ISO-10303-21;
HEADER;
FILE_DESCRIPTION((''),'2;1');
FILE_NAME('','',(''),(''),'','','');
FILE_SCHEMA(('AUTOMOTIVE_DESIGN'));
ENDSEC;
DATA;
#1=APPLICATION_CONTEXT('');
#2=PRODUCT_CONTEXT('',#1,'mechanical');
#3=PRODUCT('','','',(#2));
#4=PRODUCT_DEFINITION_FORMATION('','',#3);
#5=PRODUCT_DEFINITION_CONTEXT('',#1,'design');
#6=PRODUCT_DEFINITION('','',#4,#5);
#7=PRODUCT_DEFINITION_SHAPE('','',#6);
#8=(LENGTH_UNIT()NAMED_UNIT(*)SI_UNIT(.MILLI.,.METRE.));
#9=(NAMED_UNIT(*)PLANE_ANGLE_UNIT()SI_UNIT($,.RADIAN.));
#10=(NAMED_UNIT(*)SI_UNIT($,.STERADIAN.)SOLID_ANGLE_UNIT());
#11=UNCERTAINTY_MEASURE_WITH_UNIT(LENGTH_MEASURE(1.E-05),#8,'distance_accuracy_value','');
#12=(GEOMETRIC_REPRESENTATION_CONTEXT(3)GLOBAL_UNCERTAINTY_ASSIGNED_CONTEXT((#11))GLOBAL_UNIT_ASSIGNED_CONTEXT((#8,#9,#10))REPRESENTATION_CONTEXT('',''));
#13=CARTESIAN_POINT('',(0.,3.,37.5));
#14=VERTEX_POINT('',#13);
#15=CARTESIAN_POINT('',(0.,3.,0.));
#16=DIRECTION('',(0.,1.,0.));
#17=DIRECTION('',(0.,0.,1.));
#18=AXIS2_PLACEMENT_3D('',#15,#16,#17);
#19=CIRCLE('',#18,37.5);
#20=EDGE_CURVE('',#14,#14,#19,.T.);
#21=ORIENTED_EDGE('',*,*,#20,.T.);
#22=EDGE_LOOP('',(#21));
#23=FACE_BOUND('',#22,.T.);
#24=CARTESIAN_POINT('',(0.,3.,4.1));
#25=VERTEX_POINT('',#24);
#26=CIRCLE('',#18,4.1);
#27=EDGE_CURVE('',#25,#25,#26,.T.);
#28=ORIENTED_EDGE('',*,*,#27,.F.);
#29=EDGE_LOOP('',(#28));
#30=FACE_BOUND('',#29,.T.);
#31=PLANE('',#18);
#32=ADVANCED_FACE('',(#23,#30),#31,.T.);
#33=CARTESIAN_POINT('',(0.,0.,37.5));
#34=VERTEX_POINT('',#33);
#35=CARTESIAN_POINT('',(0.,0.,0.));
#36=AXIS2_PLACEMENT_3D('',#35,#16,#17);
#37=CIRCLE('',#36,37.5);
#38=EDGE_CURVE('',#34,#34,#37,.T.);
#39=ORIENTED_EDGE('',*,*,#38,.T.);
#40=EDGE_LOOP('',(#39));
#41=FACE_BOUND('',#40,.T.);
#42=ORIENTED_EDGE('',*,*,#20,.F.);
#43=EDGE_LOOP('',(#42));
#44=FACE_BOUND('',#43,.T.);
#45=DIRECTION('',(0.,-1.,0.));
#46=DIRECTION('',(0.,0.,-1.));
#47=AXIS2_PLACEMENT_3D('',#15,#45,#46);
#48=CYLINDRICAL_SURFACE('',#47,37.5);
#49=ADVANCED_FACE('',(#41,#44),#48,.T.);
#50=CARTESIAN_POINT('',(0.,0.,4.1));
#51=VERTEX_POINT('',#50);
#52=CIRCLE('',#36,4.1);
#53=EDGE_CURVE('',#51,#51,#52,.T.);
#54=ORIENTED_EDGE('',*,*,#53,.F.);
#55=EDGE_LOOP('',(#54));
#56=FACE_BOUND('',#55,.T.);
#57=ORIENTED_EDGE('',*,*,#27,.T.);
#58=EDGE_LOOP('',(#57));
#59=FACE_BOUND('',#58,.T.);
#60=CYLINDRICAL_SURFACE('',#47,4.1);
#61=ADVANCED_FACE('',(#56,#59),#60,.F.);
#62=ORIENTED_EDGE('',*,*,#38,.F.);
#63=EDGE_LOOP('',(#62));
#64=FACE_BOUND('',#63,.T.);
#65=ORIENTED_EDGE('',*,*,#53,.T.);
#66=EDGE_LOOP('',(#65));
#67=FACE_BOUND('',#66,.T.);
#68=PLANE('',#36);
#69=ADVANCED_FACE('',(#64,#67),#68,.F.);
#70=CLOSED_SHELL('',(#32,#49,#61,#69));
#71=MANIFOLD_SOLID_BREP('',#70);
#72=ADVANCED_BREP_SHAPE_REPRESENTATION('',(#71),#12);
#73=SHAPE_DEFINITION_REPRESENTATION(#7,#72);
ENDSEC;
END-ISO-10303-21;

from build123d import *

# Parameters (mm, degrees)
SKETCH1_R           = 37.5
SKETCH1_R_2         = 4.1
BOSS_EXTRUDE1_DEPTH = 3


with BuildPart() as part:
    # Sketch1 → Boss-Extrude1 (new body)
    with BuildSketch(Plane(origin=(0, 0, 0), x_dir=(1, 0, 0), z_dir=(0, 1, 0))):
        Circle(SKETCH1_R)
        Circle(SKETCH1_R_2, mode=Mode.SUBTRACT)
    extrude(amount=BOSS_EXTRUDE1_DEPTH)


solid = part.part
